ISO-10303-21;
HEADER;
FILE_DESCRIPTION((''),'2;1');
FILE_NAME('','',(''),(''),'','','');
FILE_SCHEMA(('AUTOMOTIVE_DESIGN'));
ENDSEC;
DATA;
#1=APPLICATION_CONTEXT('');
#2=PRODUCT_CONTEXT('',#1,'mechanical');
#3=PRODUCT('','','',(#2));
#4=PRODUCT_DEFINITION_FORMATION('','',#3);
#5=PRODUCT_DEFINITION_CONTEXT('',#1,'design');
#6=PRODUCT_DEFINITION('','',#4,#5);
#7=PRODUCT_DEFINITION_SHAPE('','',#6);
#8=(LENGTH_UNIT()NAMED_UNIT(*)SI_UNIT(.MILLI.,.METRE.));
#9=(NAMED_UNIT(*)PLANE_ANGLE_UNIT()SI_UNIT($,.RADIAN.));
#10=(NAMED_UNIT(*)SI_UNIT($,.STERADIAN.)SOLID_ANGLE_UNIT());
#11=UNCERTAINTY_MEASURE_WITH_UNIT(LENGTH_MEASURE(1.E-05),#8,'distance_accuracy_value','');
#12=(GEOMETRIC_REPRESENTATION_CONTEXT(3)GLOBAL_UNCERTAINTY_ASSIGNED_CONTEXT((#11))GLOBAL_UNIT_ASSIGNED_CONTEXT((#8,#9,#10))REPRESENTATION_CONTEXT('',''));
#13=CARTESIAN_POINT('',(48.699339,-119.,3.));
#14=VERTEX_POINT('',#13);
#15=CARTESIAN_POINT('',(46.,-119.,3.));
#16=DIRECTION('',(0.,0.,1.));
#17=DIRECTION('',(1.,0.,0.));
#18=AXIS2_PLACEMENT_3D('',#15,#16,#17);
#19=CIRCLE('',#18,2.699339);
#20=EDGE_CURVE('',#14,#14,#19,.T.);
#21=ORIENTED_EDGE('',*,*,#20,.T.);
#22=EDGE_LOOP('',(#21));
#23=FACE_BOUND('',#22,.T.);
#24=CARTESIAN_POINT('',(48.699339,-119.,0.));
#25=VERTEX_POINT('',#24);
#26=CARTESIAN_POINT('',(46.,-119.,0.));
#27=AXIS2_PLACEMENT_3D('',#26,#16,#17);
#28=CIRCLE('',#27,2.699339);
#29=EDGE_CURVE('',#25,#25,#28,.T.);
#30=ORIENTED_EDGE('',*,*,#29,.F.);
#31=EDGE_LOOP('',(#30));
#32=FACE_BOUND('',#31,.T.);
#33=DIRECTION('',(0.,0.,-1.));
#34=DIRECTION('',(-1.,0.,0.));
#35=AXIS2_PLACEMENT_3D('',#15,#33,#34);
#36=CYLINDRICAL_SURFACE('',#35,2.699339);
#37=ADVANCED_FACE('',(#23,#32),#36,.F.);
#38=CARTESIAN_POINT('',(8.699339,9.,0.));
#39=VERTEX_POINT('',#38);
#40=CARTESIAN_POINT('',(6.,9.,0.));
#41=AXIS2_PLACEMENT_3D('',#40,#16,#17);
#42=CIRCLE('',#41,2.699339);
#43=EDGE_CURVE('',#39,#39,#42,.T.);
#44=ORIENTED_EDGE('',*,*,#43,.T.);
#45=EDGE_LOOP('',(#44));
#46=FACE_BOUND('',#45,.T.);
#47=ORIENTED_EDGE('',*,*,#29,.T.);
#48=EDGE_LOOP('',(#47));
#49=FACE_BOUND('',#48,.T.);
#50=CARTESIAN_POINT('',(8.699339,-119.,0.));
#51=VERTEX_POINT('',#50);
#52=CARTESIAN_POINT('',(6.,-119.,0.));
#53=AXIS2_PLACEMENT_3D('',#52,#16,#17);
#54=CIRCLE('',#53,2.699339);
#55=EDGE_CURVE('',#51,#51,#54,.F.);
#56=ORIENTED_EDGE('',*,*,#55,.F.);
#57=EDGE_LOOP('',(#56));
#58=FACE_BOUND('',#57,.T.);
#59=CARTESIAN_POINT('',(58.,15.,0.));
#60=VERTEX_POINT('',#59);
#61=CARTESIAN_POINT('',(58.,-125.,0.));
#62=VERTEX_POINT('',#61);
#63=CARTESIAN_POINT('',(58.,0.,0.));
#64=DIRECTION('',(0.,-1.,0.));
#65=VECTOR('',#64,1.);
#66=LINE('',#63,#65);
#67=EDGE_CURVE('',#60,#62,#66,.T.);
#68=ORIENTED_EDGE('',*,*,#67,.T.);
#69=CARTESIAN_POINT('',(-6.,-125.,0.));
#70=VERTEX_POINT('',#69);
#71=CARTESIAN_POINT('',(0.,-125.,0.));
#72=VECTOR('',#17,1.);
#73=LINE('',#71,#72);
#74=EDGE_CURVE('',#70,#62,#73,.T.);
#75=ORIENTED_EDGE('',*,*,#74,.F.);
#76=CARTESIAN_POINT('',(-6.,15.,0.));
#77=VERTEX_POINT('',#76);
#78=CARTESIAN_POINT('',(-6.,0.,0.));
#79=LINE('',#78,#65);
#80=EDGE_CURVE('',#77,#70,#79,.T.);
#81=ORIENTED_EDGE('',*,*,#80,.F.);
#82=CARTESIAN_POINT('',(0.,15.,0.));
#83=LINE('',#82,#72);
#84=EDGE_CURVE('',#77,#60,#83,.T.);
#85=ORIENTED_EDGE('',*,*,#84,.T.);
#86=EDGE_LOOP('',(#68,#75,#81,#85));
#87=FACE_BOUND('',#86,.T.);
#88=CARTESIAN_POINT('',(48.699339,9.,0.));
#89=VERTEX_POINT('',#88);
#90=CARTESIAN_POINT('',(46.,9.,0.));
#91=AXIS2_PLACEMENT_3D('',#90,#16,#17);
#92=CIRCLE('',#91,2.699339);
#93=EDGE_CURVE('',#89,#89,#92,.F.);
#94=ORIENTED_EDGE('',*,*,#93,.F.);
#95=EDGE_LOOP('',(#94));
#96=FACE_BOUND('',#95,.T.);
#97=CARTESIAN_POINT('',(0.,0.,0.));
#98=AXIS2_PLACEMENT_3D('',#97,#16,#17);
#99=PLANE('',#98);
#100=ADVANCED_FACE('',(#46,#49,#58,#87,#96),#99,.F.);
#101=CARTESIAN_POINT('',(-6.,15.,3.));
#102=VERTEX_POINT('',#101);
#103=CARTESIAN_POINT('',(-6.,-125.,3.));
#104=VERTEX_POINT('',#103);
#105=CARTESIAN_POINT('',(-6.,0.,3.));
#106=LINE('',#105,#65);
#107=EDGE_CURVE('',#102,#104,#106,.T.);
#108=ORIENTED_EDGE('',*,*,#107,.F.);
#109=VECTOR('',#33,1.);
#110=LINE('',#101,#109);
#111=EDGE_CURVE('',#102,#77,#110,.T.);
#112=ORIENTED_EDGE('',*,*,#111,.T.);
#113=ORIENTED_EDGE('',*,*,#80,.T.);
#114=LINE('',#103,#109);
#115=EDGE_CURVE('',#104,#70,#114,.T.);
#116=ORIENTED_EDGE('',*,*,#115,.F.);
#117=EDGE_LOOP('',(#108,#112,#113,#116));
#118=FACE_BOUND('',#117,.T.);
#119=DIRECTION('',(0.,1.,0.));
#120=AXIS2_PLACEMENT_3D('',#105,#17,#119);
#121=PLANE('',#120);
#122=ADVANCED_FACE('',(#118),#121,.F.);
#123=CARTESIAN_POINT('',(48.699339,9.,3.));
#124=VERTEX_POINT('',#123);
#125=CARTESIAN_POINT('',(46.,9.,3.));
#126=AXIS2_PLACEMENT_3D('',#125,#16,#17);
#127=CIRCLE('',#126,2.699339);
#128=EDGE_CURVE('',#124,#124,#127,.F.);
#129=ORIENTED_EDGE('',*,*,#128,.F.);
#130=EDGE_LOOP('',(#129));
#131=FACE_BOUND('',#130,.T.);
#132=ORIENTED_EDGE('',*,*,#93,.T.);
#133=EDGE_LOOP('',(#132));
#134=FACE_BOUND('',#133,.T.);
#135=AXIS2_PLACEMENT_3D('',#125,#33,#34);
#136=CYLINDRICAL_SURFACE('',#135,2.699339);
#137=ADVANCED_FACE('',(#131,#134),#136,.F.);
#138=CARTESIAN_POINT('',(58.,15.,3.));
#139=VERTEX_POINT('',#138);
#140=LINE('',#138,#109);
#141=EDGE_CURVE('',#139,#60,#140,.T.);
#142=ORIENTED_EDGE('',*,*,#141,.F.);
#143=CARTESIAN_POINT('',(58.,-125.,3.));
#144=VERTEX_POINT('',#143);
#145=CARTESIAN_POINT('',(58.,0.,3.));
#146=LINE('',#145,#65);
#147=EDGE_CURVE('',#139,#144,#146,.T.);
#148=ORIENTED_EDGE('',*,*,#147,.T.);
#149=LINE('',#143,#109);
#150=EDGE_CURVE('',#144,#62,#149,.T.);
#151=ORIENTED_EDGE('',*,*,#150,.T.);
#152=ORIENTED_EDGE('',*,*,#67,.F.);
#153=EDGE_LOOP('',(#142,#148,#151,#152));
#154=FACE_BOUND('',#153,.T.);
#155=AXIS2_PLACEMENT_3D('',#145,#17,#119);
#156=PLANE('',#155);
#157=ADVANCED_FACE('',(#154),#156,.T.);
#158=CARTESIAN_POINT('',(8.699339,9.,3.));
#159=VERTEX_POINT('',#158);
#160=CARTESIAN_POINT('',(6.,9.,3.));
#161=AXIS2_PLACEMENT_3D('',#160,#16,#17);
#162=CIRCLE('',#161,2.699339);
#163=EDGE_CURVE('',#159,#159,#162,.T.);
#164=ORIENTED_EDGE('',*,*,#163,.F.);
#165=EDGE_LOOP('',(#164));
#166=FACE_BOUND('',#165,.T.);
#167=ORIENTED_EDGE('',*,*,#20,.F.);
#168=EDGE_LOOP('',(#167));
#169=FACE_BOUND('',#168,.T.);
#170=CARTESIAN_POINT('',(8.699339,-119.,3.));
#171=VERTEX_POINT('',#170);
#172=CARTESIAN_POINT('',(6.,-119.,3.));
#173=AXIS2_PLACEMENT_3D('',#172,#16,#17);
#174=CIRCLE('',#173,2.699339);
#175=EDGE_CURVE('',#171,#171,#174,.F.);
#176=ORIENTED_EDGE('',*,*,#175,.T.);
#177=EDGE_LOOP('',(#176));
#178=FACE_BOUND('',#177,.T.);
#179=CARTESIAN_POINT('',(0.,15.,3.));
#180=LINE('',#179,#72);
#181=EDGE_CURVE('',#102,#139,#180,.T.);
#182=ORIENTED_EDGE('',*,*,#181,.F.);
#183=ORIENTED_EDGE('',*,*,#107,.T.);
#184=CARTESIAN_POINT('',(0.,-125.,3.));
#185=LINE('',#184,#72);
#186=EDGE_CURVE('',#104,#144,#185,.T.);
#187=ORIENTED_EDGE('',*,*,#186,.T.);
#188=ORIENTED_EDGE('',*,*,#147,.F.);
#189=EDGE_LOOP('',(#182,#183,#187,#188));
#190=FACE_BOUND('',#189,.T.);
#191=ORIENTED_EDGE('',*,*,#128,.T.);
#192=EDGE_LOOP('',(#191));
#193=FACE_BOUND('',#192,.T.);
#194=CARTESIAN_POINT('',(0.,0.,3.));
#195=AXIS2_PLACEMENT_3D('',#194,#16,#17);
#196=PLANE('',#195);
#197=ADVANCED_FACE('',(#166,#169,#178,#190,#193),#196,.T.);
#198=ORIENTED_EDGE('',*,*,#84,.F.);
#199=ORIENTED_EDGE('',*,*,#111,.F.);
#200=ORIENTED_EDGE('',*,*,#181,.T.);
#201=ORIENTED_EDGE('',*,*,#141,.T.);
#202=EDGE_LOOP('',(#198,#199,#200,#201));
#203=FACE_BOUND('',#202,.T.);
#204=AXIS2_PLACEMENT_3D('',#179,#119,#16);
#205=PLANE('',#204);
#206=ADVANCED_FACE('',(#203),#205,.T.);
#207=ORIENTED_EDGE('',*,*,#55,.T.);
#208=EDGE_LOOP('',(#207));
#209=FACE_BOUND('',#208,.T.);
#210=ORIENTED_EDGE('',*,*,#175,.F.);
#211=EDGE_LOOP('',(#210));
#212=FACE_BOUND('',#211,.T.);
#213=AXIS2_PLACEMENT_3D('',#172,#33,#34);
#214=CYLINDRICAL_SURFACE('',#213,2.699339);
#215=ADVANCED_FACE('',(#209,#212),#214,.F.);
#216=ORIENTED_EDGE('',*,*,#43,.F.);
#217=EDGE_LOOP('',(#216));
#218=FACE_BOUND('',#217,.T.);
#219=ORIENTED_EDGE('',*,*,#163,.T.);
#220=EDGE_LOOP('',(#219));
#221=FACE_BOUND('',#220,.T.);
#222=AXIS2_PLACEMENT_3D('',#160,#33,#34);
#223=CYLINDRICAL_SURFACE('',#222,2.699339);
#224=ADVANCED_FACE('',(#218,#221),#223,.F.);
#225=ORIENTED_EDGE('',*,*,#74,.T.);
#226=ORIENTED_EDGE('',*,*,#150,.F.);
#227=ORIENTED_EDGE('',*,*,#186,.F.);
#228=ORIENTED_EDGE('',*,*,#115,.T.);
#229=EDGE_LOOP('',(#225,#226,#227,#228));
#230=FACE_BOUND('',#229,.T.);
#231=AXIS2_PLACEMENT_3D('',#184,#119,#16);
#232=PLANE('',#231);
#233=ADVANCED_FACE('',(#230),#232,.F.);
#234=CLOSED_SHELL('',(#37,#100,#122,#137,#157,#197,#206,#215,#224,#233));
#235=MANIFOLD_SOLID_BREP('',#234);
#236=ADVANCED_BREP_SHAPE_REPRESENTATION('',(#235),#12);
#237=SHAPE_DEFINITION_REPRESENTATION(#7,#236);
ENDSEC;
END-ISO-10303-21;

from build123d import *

# Parameters (mm, degrees)
SKETCH1_W           = 64
SKETCH1_H           = 140
SKETCH1_R           = 2.699339217
SKETCH1_W_2         = 52
SKETCH1_H_2         = 110
BOSS_EXTRUDE1_DEPTH = 3


with BuildPart() as part:
    # Sketch1 → Boss-Extrude1 (new body)
    # profile 1 of 2: a face of its own
    with BuildSketch(Plane.XY):
        with Locations((26, -55)):
            Rectangle(SKETCH1_W, SKETCH1_H)
        with Locations((46, 9)):
            Circle(SKETCH1_R, mode=Mode.SUBTRACT)
        with Locations((6, 9)):
            Circle(SKETCH1_R, mode=Mode.SUBTRACT)
        with Locations((46, -119)):
            Circle(SKETCH1_R, mode=Mode.SUBTRACT)
        with Locations((6, -119)):
            Circle(SKETCH1_R, mode=Mode.SUBTRACT)
        with Locations((26, -55)):
            Rectangle(SKETCH1_W_2, SKETCH1_H_2, mode=Mode.SUBTRACT)
    # profile 2 of 2: a face of its own
    with BuildSketch(Plane.XY):
        with Locations((26, -55)):
            Rectangle(SKETCH1_W_2, SKETCH1_H_2)
    extrude(amount=BOSS_EXTRUDE1_DEPTH)


solid = part.part
